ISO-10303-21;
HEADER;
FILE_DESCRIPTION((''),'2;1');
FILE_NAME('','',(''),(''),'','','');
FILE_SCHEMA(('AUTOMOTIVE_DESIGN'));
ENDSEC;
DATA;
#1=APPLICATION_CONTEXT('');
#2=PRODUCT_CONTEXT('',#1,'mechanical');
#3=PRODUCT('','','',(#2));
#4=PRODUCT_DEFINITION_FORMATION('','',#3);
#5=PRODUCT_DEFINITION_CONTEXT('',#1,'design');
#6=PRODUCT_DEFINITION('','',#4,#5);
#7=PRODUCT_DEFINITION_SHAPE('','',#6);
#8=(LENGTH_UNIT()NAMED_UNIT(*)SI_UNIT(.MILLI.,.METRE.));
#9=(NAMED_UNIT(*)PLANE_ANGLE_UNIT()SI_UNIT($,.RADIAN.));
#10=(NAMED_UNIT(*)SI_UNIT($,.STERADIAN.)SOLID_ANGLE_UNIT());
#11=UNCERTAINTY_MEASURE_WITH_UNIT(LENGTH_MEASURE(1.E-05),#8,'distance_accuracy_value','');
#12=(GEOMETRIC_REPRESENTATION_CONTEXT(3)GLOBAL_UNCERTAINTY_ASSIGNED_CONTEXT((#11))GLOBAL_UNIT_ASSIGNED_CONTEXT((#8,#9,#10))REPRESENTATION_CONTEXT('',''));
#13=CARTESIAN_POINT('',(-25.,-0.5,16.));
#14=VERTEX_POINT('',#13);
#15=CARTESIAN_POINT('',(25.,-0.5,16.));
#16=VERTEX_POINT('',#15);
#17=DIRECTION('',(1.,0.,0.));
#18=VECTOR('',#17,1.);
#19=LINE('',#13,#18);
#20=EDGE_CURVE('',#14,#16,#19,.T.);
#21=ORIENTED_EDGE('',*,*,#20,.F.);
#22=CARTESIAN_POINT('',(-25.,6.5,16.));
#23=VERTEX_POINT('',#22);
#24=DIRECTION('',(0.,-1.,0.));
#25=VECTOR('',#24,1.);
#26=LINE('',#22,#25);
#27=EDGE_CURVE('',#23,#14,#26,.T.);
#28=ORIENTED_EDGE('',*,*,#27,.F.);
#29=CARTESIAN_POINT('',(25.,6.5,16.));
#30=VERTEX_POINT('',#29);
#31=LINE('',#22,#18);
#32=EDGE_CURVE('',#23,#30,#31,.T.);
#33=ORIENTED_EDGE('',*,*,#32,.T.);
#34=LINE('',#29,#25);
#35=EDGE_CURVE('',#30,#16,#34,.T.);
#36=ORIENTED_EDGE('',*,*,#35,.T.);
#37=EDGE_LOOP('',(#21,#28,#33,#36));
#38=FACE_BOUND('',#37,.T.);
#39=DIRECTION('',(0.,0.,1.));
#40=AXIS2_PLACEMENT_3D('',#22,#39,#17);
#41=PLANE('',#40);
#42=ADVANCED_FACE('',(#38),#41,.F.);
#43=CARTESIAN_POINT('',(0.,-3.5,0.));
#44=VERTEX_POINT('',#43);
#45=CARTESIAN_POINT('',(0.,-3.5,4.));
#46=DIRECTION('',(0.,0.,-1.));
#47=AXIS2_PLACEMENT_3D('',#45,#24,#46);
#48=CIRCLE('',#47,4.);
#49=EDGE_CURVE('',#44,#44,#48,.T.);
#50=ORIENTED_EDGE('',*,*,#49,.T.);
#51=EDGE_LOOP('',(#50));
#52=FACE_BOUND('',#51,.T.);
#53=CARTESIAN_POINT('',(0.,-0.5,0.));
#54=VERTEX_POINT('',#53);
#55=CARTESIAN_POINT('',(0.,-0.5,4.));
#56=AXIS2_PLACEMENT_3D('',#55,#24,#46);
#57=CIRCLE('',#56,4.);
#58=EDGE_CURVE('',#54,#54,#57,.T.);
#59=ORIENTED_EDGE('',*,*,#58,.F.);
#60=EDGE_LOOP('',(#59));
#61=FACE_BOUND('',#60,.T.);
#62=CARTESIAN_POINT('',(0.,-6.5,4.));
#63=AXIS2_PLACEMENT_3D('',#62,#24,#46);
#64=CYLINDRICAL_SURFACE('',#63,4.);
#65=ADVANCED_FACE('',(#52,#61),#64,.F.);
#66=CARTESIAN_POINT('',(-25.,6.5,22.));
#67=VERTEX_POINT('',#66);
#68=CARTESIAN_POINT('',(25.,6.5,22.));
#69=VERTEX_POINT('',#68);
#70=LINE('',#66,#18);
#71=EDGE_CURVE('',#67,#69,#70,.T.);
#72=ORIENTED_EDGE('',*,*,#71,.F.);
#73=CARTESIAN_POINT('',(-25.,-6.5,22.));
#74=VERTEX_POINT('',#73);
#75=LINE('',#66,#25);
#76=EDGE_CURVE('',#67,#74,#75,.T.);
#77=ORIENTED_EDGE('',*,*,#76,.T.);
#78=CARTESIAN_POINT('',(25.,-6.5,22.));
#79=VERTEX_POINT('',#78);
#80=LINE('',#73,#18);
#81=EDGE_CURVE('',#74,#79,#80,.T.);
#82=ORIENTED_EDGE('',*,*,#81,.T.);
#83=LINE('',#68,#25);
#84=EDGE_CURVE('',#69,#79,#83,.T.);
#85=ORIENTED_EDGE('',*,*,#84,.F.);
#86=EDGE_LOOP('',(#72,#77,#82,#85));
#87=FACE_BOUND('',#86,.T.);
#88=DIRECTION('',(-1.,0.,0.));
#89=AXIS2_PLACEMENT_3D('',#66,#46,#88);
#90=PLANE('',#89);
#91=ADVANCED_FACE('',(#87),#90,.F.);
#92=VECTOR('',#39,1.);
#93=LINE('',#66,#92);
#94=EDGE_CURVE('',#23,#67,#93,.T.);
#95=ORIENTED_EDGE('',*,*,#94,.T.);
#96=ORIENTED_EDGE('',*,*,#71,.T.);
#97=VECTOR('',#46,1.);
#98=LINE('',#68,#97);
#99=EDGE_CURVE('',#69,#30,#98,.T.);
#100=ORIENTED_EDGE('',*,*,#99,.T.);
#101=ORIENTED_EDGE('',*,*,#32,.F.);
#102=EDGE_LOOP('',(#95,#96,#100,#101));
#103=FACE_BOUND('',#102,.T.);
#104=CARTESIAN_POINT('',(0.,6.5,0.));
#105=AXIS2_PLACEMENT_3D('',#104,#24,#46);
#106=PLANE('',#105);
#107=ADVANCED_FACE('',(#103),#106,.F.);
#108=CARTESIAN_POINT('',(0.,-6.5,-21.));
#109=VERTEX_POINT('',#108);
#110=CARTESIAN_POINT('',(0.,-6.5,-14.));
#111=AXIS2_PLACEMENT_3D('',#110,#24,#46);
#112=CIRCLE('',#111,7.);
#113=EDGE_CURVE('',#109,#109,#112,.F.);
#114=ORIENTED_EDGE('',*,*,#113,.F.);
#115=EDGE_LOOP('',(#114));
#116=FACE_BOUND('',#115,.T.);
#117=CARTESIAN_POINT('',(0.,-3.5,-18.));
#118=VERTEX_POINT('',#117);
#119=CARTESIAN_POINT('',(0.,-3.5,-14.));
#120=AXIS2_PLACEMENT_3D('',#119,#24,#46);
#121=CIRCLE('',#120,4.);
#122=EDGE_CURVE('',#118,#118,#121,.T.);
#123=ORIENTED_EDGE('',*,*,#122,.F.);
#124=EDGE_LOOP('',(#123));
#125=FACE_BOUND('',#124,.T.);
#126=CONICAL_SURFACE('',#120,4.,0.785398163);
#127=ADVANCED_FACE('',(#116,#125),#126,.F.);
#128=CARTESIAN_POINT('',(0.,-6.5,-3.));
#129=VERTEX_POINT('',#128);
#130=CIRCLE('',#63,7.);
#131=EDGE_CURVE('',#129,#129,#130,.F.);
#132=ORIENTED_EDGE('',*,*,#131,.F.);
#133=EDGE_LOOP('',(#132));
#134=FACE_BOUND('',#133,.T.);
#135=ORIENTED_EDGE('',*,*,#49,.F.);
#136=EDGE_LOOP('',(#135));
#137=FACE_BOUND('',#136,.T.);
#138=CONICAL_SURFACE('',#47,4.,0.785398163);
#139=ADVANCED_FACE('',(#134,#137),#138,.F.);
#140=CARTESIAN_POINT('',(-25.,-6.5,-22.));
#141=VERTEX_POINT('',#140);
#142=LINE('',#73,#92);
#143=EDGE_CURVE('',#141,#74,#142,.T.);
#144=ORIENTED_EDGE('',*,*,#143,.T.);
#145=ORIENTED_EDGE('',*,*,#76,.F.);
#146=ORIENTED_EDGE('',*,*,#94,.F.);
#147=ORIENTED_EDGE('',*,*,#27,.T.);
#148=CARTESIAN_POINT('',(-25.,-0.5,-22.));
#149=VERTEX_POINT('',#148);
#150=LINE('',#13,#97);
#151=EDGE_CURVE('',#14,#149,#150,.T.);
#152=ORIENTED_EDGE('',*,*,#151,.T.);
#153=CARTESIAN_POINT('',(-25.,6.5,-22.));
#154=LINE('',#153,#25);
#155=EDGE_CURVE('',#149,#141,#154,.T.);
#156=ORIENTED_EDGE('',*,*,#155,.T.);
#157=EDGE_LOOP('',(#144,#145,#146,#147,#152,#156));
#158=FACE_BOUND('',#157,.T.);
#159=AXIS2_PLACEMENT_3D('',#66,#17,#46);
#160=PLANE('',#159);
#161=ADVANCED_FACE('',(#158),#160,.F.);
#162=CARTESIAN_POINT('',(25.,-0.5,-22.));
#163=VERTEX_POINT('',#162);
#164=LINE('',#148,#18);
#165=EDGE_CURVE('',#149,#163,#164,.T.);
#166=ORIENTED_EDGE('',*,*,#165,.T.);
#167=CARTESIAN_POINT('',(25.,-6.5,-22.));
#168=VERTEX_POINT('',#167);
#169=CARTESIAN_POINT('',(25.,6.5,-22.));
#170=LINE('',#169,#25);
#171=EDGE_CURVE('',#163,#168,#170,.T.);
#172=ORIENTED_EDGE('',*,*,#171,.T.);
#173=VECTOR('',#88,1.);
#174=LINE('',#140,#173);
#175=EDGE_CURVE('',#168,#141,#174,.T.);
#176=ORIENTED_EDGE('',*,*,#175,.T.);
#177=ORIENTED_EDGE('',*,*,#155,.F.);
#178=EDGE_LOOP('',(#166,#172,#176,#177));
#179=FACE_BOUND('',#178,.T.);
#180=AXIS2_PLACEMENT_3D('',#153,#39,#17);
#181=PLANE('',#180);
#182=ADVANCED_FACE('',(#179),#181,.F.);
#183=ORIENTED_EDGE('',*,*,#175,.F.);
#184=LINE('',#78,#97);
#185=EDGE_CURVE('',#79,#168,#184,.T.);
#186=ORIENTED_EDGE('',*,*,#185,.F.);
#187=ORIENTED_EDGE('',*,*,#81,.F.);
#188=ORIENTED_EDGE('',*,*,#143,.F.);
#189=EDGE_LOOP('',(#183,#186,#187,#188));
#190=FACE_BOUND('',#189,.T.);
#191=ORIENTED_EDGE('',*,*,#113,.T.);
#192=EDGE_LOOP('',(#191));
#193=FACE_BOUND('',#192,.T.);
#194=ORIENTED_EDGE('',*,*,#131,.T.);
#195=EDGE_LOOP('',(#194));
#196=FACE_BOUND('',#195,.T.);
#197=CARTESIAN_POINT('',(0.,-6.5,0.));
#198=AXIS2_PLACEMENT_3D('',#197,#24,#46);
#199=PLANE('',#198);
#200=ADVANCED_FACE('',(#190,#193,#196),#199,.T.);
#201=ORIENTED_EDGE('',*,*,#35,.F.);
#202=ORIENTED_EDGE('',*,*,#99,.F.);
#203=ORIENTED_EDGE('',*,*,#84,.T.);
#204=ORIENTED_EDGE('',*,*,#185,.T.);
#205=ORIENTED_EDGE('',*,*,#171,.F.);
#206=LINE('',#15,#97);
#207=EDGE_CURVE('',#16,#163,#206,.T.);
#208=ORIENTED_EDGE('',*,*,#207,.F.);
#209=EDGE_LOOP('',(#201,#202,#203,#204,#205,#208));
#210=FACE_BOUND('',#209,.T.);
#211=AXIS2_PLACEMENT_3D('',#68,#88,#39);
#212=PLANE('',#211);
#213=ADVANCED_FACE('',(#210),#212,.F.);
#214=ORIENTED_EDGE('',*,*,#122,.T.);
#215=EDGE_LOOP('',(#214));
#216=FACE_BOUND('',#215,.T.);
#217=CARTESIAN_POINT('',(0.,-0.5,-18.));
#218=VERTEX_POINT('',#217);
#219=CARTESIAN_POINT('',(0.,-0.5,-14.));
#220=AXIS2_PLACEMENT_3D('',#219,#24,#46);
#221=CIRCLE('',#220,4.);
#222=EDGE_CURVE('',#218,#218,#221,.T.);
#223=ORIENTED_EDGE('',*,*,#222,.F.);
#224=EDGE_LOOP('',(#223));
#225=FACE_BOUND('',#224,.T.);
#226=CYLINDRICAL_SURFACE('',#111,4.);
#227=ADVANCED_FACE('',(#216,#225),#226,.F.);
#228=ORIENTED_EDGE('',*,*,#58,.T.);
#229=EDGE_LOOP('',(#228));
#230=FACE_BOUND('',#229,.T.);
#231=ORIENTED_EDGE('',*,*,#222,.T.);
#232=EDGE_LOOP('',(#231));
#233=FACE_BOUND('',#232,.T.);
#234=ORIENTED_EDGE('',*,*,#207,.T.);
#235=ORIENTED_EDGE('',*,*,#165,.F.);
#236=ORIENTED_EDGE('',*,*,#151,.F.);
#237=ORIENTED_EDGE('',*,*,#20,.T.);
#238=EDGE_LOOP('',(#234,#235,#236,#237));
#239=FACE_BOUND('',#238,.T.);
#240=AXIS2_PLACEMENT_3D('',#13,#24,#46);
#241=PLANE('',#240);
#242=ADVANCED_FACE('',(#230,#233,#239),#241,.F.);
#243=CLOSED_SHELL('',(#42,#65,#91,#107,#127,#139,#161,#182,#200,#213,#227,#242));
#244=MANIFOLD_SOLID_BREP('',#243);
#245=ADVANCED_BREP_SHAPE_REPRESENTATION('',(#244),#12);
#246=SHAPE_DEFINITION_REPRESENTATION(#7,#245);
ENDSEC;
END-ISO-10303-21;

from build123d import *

# Parameters (mm, degrees)
SKETCH1_W             = 50
SKETCH1_H             = 44
BOSS_EXTRUDE1_DEPTH   = 6.5
SKETCH2_W             = 38
SKETCH2_H             = 7
CUT_EXTRUDE1_DEPTH    = 56.011362463
F_8_0MM_DOWEL_HOLE1_D = 8
CHAMFER1_SIZE         = 3


with BuildPart() as part:
    # Sketch1 → Boss-Extrude1 (new, symmetric)
    with BuildSketch(Plane(origin=(0, 0, 0), x_dir=(1, 0, 0), z_dir=(0, 1, 0))):
        Rectangle(SKETCH1_W, SKETCH1_H)
    extrude(amount=BOSS_EXTRUDE1_DEPTH, both=True)

    # Sketch2 → Cut-Extrude1 (cut, through all)
    with BuildSketch(Plane(origin=(25, 0, 0), x_dir=(0, 0, -1), z_dir=(1, 0, 0))):
        with Locations((3, 3)):
            Rectangle(SKETCH2_W, SKETCH2_H)
    extrude(amount=-CUT_EXTRUDE1_DEPTH, mode=Mode.SUBTRACT)

    # Ø8.0mm Dowel Hole1 (through all)
    with Locations(Plane(origin=(0, -6.5, 0), x_dir=(-1, 0, 0), z_dir=(0, -1, 0))):
        with Locations((0, 14), (0, -4)):
            Hole(F_8_0MM_DOWEL_HOLE1_D / 2)

    # Chamfer1
    chamfer1_edges = [part.edges().sort_by_distance(p)[0] for p in [
        (-4, -6.5, 4),
        (-4, -6.5, -14),
    ]]
    chamfer(chamfer1_edges, length=CHAMFER1_SIZE)


solid = part.part
